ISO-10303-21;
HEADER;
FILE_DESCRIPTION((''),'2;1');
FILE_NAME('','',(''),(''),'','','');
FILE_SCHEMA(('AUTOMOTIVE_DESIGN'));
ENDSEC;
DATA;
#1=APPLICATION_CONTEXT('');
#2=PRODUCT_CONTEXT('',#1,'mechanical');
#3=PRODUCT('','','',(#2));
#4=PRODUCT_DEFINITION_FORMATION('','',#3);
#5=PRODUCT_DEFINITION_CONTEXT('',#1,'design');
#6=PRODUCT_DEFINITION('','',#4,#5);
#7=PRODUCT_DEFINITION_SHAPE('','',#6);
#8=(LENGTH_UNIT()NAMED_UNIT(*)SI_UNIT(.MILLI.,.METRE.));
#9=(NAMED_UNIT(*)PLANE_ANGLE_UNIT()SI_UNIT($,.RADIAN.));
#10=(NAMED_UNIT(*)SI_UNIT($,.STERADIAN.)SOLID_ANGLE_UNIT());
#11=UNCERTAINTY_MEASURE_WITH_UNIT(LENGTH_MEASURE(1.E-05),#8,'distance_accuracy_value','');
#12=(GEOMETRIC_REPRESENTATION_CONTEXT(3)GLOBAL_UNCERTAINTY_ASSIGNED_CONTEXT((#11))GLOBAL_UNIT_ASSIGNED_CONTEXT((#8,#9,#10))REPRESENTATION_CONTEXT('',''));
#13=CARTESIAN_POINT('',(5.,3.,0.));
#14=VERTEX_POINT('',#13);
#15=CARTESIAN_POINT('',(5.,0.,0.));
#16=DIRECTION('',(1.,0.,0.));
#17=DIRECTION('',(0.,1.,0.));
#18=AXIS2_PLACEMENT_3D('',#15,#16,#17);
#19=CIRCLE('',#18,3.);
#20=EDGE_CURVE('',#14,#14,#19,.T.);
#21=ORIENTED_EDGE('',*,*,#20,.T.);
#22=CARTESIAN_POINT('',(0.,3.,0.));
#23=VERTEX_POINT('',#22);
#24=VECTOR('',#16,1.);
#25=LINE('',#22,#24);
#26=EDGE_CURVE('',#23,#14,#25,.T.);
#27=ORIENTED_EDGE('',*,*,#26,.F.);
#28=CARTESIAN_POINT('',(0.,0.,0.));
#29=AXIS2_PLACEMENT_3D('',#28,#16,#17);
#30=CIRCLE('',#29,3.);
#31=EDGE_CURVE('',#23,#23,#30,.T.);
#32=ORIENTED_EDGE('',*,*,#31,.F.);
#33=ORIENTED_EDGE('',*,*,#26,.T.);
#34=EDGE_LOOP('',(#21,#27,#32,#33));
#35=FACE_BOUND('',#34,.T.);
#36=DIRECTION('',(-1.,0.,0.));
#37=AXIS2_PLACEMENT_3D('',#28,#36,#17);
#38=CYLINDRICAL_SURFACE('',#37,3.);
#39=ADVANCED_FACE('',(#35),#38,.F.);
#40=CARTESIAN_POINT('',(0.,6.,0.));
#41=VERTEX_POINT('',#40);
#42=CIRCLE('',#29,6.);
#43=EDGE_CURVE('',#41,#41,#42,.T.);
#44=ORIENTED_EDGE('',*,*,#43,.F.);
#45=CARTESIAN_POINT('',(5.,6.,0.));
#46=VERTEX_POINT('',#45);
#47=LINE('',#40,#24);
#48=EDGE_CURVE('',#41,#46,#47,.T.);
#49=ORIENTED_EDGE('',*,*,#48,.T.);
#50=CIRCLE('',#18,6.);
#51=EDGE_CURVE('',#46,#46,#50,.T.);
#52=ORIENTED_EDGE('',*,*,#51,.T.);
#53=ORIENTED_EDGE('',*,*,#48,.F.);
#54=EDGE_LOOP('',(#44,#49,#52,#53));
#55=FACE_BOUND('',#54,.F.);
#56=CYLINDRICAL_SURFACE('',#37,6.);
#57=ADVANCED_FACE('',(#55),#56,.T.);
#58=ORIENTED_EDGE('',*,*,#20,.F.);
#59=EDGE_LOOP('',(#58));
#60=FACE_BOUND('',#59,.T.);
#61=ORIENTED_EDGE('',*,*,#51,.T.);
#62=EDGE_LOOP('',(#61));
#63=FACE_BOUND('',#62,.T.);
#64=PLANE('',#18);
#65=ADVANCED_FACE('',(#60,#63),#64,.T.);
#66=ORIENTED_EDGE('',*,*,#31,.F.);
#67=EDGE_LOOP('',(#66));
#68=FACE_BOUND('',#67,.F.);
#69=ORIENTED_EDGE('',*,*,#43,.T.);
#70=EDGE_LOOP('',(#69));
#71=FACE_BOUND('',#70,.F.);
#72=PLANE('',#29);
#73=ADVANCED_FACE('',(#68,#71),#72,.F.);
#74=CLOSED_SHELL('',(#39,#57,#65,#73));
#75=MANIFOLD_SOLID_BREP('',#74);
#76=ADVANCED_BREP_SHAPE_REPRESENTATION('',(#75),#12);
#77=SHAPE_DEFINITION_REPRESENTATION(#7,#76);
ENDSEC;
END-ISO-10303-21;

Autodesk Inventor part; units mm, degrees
ref_plane "YZ Plane" through (0, 0, 0) normal (1, 0, 0) x (0, 1, 0)
ref_plane "XZ Plane" through (0, 0, 0) normal (0, 1, 0) x (-1, 0, 0)
ref_plane "XY Plane" through (0, 0, 0) normal (0, 0, 1) x (1, 0, 0)
sketch "スケッチ1" plane through (0, 0, 0) normal (1, 0, 0) x (0, 1, 0)
  circle A0 centre (0, 0) radius 3
  circle A1 centre (0, 0) radius 6
  dimension "d0" = 6
  dimension "d1" = 12
extrude "押し出し1" add sketch "スケッチ1" along normal blind 5
properties part number "セットカラー_6mm"
